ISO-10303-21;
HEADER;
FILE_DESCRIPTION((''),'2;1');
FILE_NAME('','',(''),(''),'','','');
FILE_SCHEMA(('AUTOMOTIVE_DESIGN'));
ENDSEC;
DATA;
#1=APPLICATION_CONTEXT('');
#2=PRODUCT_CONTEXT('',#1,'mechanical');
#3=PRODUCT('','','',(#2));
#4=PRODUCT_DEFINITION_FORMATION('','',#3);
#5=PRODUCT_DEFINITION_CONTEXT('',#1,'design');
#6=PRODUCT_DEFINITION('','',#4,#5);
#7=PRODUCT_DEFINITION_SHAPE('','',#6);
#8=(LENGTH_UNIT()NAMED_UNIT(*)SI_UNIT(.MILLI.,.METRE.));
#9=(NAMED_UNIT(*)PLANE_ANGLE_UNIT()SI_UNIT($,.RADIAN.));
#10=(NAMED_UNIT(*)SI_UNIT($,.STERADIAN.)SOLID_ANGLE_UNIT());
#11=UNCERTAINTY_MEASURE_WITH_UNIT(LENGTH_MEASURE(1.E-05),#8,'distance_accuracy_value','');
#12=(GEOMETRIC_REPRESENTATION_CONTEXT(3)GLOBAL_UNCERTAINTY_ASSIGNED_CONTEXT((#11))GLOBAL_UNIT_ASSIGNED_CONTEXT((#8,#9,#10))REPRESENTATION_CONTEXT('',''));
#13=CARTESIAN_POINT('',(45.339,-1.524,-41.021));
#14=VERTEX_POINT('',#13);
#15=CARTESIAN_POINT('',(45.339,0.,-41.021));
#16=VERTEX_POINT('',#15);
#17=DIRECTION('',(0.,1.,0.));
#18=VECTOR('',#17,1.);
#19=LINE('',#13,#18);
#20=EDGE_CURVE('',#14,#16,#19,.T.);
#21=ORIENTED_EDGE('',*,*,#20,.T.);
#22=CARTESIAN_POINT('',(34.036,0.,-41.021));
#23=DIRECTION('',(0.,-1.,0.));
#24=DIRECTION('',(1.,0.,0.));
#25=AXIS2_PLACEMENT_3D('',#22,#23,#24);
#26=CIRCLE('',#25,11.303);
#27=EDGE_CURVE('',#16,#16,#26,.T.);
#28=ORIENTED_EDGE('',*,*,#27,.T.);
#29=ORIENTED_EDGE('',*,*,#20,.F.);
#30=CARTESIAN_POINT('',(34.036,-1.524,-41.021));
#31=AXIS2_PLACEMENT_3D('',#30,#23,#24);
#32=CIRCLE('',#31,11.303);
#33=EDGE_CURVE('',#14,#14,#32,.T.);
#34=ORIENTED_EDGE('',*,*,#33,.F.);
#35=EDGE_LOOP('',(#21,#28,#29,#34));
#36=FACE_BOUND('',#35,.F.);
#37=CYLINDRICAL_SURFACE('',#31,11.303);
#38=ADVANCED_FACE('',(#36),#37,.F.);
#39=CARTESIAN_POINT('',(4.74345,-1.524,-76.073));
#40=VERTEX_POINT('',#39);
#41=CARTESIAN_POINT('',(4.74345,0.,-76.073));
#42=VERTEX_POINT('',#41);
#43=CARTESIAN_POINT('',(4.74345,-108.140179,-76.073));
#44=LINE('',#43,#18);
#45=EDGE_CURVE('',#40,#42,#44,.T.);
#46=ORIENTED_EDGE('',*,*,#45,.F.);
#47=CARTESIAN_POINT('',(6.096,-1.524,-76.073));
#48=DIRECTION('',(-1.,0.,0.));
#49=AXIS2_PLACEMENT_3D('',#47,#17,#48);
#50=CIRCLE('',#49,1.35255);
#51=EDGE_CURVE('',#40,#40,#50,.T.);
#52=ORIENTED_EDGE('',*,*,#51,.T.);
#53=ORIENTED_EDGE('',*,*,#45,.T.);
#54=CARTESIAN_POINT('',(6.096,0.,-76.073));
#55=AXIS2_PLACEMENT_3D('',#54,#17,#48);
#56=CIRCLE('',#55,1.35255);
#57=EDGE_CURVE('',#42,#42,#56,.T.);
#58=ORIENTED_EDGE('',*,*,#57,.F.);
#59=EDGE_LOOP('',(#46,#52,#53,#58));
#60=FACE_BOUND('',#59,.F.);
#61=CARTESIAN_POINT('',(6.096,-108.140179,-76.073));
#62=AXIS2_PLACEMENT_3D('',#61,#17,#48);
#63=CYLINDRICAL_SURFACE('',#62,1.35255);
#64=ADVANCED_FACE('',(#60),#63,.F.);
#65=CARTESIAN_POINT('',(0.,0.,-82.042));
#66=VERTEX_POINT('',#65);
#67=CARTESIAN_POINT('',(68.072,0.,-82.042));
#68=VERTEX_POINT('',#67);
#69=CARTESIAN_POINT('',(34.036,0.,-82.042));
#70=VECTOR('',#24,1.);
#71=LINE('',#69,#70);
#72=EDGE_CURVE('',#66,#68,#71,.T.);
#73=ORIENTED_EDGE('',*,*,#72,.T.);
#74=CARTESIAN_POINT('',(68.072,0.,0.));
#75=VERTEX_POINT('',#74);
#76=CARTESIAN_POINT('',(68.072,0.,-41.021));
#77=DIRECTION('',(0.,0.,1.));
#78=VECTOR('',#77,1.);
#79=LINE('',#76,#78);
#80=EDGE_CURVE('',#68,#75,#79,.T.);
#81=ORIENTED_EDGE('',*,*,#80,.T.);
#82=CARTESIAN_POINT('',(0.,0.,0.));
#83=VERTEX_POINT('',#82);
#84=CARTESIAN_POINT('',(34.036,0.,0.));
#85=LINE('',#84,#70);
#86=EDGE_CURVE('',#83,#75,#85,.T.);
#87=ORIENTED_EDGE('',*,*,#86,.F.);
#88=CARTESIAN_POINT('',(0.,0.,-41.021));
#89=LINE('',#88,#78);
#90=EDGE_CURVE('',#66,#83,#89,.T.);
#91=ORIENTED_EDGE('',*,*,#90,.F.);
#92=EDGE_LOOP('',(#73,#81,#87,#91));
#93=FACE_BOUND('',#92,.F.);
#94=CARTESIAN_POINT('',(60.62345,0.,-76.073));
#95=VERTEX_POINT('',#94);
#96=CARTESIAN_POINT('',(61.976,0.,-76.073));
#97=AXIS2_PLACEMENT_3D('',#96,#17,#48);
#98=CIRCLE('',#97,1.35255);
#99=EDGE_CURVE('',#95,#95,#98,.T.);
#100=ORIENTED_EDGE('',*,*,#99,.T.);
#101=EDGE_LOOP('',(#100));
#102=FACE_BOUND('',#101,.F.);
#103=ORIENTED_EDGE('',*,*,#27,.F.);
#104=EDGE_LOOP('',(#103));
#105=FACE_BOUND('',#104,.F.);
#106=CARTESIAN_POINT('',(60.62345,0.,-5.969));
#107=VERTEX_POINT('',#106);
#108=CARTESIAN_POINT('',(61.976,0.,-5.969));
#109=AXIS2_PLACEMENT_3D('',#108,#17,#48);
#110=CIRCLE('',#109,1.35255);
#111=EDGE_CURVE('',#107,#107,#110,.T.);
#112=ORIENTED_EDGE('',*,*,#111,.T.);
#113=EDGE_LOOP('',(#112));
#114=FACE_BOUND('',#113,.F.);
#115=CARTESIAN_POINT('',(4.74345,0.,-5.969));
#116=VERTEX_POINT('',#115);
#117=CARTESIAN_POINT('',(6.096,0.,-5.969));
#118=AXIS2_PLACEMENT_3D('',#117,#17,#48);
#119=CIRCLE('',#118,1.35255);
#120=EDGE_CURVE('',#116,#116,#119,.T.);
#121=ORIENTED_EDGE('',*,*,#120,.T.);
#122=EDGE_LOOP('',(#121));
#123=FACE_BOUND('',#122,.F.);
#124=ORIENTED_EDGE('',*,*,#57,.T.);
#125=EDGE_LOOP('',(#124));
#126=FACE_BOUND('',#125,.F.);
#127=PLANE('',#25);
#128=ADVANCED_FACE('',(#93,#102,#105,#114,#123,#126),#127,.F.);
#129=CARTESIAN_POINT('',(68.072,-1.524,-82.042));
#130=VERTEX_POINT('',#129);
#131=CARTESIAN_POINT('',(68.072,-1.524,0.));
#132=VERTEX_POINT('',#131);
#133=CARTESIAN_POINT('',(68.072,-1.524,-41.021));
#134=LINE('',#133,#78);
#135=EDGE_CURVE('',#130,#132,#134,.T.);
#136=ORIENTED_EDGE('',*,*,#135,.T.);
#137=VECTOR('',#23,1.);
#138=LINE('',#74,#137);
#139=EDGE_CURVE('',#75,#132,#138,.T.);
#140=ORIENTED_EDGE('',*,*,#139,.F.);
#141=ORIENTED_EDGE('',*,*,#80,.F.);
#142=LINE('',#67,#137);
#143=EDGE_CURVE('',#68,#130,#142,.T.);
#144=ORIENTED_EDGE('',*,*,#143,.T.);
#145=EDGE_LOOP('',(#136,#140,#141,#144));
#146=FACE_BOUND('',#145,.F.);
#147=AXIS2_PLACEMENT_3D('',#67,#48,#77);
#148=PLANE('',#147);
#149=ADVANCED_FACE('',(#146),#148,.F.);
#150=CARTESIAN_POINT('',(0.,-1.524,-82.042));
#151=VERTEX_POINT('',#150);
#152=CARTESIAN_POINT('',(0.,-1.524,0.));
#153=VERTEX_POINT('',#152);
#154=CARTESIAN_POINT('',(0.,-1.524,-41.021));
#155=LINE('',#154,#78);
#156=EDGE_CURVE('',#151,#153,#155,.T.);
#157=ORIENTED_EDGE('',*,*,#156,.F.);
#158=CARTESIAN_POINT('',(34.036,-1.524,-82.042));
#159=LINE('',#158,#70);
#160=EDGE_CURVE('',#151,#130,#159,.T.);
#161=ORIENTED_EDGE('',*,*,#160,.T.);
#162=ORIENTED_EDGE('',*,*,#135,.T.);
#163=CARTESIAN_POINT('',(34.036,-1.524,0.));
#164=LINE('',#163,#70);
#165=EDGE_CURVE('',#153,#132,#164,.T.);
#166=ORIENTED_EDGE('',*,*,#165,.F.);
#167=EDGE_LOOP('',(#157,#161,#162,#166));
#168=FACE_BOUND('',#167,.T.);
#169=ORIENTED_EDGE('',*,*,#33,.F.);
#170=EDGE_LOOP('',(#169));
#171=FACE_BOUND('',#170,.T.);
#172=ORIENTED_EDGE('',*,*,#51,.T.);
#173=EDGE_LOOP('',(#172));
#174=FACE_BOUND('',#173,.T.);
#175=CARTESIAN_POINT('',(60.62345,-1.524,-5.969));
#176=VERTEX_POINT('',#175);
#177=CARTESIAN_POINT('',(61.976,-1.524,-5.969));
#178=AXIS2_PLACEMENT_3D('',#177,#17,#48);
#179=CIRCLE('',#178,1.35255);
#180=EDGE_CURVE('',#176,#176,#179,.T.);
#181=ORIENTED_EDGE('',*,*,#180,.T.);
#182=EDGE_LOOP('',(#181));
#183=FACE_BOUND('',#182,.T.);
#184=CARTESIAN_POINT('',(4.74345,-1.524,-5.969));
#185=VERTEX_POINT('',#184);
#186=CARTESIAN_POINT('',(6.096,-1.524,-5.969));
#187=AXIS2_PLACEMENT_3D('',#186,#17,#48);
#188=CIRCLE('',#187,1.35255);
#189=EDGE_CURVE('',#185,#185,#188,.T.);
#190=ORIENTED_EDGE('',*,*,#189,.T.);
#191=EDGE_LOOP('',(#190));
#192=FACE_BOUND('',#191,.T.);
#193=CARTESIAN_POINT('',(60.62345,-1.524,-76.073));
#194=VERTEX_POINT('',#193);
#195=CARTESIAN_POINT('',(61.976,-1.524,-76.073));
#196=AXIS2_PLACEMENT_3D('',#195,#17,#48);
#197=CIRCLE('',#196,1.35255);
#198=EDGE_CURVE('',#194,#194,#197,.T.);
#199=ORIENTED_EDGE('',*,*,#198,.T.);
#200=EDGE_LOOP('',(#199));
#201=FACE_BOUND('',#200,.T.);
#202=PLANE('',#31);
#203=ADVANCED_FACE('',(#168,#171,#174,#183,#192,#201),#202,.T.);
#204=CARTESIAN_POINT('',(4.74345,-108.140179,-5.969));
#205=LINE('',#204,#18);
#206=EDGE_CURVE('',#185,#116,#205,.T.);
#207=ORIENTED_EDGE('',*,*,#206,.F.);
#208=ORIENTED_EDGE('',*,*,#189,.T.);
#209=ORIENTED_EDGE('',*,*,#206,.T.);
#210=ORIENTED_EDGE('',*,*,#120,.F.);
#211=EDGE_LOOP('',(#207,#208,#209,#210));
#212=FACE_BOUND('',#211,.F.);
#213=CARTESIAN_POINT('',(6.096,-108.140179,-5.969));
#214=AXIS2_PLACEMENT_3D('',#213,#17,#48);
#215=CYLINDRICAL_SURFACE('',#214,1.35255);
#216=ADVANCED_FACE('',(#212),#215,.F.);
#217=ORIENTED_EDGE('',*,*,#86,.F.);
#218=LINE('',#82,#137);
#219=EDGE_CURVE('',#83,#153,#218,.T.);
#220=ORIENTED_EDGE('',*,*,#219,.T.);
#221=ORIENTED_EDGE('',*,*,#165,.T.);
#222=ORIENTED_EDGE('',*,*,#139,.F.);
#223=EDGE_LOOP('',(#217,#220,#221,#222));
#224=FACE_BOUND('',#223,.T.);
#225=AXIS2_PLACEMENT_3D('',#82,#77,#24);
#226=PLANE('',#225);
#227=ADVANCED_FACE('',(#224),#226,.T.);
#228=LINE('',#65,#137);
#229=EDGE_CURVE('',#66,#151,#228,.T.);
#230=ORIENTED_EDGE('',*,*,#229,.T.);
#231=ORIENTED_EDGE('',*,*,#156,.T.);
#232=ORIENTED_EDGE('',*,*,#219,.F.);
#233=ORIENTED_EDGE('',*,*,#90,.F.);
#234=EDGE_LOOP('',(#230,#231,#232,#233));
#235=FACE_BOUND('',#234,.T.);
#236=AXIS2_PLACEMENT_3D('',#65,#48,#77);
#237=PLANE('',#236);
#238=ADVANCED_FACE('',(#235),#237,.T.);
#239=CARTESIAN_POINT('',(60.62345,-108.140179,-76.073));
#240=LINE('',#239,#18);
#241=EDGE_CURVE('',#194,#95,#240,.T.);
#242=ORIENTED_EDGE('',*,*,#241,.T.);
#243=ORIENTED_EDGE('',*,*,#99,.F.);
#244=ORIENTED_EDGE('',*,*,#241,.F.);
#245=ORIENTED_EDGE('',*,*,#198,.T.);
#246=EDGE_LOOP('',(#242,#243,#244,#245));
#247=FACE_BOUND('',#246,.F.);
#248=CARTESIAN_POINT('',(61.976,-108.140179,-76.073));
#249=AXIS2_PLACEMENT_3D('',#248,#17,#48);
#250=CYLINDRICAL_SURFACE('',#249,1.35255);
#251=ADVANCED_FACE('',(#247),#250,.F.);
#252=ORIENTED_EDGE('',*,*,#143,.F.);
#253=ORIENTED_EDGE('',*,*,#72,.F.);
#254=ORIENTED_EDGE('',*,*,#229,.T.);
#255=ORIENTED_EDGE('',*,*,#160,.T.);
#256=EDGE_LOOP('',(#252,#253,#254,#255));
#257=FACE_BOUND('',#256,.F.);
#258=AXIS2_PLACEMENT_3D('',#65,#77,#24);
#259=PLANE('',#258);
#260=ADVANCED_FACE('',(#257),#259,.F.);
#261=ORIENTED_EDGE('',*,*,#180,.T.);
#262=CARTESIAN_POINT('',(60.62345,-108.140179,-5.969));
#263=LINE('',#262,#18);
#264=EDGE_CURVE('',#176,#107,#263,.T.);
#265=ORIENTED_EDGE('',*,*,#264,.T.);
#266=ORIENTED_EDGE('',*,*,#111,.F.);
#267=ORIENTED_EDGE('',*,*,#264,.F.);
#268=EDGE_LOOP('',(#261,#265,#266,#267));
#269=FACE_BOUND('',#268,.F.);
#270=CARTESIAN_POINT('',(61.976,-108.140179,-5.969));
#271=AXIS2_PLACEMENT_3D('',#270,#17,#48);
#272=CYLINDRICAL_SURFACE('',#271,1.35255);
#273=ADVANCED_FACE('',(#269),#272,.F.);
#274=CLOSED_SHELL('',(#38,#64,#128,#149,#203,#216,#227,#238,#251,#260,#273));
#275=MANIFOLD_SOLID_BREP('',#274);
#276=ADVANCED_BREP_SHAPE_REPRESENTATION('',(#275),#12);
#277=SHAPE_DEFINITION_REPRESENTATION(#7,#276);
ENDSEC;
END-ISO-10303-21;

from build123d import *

# Parameters (mm, degrees)
F0_W     = 68.072
F0_H     = 82.042
F1_DEPTH = 1.524
F3_D     = 2.7051
F4_R     = 11.303
F5_DEPTH = 1.525


with BuildPart() as f1:
    # F0 (on Front) → F1 (new body)
    with BuildSketch(Plane.XZ):
        with Locations((34.036, -41.021)):
            Rectangle(F0_W, F0_H)
    extrude(amount=F1_DEPTH)

    # F3 (through all)
    with Locations(Plane.XZ.offset(1.524)):
        with Locations((6.096, -5.969), (61.976, -5.969), (61.976, -76.073), (6.096, -76.073)):
            Hole(F3_D / 2)

    # F4 (on face) → F5 (cut, through all)
    with BuildSketch(Plane.XZ.offset(1.524)):
        with Locations((34.036, -41.021)):
            Circle(F4_R)
    extrude(amount=-F5_DEPTH, mode=Mode.SUBTRACT)


solid = f1.part
